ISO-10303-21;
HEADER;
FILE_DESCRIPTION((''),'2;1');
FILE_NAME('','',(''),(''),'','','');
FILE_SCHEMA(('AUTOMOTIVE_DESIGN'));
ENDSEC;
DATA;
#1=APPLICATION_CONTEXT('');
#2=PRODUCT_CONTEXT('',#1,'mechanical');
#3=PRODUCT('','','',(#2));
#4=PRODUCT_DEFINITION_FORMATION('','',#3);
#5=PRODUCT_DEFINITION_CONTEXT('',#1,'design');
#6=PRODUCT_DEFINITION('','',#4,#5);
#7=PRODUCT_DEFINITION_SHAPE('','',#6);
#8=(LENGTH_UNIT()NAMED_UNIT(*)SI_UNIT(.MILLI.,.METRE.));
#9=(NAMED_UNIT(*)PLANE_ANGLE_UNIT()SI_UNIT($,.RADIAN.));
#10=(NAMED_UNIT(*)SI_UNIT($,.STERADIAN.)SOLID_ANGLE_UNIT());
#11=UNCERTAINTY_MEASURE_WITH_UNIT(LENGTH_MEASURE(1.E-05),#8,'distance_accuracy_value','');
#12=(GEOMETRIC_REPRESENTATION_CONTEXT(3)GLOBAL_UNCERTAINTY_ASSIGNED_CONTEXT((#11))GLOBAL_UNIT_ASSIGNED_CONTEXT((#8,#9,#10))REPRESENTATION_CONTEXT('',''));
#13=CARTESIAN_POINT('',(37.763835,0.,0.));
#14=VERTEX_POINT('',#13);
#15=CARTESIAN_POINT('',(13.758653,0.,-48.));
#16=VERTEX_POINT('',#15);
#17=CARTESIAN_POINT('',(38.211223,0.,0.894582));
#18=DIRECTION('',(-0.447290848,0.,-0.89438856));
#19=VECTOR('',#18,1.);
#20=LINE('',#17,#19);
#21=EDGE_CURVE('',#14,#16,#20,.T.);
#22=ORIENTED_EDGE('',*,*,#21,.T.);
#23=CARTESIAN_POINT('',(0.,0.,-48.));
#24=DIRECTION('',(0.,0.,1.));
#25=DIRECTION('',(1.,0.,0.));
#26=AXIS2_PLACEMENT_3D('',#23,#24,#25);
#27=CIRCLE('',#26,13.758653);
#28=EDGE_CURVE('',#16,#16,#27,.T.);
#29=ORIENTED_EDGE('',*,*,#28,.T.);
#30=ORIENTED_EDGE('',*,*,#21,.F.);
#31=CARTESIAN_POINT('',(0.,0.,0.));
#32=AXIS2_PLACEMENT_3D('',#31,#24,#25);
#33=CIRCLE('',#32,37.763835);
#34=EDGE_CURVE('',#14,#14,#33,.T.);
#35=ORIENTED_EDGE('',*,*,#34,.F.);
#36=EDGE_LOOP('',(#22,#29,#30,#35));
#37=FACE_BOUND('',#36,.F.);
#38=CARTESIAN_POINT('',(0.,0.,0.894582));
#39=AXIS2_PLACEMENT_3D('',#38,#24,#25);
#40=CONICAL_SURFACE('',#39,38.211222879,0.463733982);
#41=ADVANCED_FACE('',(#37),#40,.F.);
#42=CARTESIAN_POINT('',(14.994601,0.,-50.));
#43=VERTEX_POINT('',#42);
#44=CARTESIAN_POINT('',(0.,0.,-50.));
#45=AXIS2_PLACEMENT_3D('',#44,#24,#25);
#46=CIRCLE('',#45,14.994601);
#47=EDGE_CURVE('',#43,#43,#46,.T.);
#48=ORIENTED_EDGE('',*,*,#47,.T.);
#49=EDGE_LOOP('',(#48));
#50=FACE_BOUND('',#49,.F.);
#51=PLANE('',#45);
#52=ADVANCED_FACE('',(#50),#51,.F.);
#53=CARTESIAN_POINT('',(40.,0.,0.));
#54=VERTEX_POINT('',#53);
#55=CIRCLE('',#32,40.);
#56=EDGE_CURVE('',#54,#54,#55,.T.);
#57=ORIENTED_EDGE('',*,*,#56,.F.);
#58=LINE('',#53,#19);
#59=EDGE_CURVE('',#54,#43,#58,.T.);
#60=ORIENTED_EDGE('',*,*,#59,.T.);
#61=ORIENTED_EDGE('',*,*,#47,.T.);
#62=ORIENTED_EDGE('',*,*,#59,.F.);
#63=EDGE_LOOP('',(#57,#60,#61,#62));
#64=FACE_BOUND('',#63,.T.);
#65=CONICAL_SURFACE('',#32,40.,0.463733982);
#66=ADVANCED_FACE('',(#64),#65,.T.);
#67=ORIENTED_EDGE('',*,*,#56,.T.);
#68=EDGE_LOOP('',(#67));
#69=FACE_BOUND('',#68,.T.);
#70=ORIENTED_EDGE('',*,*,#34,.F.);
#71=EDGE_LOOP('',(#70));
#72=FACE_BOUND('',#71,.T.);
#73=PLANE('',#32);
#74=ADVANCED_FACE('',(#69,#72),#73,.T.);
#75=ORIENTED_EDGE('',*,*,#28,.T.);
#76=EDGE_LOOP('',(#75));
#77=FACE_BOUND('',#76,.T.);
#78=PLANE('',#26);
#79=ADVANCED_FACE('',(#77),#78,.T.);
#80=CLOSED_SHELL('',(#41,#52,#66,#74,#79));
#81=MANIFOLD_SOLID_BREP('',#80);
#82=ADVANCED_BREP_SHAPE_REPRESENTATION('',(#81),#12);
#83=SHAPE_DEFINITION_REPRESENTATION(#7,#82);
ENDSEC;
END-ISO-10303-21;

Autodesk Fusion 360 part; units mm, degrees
sketch "Sketch1" plane through (0, 0, 0) normal (0, 0, 1) x (1, 0, 0)
  circle A0 centre (0, 0) radius 40
  dimension "d1" = 80
extrude "Extrude1" add sketch "Sketch1" against normal blind 50 draft -26.57
shell "Shell1" thickness 2 removed faces 1 at (12.741, -3.9301, 0)
